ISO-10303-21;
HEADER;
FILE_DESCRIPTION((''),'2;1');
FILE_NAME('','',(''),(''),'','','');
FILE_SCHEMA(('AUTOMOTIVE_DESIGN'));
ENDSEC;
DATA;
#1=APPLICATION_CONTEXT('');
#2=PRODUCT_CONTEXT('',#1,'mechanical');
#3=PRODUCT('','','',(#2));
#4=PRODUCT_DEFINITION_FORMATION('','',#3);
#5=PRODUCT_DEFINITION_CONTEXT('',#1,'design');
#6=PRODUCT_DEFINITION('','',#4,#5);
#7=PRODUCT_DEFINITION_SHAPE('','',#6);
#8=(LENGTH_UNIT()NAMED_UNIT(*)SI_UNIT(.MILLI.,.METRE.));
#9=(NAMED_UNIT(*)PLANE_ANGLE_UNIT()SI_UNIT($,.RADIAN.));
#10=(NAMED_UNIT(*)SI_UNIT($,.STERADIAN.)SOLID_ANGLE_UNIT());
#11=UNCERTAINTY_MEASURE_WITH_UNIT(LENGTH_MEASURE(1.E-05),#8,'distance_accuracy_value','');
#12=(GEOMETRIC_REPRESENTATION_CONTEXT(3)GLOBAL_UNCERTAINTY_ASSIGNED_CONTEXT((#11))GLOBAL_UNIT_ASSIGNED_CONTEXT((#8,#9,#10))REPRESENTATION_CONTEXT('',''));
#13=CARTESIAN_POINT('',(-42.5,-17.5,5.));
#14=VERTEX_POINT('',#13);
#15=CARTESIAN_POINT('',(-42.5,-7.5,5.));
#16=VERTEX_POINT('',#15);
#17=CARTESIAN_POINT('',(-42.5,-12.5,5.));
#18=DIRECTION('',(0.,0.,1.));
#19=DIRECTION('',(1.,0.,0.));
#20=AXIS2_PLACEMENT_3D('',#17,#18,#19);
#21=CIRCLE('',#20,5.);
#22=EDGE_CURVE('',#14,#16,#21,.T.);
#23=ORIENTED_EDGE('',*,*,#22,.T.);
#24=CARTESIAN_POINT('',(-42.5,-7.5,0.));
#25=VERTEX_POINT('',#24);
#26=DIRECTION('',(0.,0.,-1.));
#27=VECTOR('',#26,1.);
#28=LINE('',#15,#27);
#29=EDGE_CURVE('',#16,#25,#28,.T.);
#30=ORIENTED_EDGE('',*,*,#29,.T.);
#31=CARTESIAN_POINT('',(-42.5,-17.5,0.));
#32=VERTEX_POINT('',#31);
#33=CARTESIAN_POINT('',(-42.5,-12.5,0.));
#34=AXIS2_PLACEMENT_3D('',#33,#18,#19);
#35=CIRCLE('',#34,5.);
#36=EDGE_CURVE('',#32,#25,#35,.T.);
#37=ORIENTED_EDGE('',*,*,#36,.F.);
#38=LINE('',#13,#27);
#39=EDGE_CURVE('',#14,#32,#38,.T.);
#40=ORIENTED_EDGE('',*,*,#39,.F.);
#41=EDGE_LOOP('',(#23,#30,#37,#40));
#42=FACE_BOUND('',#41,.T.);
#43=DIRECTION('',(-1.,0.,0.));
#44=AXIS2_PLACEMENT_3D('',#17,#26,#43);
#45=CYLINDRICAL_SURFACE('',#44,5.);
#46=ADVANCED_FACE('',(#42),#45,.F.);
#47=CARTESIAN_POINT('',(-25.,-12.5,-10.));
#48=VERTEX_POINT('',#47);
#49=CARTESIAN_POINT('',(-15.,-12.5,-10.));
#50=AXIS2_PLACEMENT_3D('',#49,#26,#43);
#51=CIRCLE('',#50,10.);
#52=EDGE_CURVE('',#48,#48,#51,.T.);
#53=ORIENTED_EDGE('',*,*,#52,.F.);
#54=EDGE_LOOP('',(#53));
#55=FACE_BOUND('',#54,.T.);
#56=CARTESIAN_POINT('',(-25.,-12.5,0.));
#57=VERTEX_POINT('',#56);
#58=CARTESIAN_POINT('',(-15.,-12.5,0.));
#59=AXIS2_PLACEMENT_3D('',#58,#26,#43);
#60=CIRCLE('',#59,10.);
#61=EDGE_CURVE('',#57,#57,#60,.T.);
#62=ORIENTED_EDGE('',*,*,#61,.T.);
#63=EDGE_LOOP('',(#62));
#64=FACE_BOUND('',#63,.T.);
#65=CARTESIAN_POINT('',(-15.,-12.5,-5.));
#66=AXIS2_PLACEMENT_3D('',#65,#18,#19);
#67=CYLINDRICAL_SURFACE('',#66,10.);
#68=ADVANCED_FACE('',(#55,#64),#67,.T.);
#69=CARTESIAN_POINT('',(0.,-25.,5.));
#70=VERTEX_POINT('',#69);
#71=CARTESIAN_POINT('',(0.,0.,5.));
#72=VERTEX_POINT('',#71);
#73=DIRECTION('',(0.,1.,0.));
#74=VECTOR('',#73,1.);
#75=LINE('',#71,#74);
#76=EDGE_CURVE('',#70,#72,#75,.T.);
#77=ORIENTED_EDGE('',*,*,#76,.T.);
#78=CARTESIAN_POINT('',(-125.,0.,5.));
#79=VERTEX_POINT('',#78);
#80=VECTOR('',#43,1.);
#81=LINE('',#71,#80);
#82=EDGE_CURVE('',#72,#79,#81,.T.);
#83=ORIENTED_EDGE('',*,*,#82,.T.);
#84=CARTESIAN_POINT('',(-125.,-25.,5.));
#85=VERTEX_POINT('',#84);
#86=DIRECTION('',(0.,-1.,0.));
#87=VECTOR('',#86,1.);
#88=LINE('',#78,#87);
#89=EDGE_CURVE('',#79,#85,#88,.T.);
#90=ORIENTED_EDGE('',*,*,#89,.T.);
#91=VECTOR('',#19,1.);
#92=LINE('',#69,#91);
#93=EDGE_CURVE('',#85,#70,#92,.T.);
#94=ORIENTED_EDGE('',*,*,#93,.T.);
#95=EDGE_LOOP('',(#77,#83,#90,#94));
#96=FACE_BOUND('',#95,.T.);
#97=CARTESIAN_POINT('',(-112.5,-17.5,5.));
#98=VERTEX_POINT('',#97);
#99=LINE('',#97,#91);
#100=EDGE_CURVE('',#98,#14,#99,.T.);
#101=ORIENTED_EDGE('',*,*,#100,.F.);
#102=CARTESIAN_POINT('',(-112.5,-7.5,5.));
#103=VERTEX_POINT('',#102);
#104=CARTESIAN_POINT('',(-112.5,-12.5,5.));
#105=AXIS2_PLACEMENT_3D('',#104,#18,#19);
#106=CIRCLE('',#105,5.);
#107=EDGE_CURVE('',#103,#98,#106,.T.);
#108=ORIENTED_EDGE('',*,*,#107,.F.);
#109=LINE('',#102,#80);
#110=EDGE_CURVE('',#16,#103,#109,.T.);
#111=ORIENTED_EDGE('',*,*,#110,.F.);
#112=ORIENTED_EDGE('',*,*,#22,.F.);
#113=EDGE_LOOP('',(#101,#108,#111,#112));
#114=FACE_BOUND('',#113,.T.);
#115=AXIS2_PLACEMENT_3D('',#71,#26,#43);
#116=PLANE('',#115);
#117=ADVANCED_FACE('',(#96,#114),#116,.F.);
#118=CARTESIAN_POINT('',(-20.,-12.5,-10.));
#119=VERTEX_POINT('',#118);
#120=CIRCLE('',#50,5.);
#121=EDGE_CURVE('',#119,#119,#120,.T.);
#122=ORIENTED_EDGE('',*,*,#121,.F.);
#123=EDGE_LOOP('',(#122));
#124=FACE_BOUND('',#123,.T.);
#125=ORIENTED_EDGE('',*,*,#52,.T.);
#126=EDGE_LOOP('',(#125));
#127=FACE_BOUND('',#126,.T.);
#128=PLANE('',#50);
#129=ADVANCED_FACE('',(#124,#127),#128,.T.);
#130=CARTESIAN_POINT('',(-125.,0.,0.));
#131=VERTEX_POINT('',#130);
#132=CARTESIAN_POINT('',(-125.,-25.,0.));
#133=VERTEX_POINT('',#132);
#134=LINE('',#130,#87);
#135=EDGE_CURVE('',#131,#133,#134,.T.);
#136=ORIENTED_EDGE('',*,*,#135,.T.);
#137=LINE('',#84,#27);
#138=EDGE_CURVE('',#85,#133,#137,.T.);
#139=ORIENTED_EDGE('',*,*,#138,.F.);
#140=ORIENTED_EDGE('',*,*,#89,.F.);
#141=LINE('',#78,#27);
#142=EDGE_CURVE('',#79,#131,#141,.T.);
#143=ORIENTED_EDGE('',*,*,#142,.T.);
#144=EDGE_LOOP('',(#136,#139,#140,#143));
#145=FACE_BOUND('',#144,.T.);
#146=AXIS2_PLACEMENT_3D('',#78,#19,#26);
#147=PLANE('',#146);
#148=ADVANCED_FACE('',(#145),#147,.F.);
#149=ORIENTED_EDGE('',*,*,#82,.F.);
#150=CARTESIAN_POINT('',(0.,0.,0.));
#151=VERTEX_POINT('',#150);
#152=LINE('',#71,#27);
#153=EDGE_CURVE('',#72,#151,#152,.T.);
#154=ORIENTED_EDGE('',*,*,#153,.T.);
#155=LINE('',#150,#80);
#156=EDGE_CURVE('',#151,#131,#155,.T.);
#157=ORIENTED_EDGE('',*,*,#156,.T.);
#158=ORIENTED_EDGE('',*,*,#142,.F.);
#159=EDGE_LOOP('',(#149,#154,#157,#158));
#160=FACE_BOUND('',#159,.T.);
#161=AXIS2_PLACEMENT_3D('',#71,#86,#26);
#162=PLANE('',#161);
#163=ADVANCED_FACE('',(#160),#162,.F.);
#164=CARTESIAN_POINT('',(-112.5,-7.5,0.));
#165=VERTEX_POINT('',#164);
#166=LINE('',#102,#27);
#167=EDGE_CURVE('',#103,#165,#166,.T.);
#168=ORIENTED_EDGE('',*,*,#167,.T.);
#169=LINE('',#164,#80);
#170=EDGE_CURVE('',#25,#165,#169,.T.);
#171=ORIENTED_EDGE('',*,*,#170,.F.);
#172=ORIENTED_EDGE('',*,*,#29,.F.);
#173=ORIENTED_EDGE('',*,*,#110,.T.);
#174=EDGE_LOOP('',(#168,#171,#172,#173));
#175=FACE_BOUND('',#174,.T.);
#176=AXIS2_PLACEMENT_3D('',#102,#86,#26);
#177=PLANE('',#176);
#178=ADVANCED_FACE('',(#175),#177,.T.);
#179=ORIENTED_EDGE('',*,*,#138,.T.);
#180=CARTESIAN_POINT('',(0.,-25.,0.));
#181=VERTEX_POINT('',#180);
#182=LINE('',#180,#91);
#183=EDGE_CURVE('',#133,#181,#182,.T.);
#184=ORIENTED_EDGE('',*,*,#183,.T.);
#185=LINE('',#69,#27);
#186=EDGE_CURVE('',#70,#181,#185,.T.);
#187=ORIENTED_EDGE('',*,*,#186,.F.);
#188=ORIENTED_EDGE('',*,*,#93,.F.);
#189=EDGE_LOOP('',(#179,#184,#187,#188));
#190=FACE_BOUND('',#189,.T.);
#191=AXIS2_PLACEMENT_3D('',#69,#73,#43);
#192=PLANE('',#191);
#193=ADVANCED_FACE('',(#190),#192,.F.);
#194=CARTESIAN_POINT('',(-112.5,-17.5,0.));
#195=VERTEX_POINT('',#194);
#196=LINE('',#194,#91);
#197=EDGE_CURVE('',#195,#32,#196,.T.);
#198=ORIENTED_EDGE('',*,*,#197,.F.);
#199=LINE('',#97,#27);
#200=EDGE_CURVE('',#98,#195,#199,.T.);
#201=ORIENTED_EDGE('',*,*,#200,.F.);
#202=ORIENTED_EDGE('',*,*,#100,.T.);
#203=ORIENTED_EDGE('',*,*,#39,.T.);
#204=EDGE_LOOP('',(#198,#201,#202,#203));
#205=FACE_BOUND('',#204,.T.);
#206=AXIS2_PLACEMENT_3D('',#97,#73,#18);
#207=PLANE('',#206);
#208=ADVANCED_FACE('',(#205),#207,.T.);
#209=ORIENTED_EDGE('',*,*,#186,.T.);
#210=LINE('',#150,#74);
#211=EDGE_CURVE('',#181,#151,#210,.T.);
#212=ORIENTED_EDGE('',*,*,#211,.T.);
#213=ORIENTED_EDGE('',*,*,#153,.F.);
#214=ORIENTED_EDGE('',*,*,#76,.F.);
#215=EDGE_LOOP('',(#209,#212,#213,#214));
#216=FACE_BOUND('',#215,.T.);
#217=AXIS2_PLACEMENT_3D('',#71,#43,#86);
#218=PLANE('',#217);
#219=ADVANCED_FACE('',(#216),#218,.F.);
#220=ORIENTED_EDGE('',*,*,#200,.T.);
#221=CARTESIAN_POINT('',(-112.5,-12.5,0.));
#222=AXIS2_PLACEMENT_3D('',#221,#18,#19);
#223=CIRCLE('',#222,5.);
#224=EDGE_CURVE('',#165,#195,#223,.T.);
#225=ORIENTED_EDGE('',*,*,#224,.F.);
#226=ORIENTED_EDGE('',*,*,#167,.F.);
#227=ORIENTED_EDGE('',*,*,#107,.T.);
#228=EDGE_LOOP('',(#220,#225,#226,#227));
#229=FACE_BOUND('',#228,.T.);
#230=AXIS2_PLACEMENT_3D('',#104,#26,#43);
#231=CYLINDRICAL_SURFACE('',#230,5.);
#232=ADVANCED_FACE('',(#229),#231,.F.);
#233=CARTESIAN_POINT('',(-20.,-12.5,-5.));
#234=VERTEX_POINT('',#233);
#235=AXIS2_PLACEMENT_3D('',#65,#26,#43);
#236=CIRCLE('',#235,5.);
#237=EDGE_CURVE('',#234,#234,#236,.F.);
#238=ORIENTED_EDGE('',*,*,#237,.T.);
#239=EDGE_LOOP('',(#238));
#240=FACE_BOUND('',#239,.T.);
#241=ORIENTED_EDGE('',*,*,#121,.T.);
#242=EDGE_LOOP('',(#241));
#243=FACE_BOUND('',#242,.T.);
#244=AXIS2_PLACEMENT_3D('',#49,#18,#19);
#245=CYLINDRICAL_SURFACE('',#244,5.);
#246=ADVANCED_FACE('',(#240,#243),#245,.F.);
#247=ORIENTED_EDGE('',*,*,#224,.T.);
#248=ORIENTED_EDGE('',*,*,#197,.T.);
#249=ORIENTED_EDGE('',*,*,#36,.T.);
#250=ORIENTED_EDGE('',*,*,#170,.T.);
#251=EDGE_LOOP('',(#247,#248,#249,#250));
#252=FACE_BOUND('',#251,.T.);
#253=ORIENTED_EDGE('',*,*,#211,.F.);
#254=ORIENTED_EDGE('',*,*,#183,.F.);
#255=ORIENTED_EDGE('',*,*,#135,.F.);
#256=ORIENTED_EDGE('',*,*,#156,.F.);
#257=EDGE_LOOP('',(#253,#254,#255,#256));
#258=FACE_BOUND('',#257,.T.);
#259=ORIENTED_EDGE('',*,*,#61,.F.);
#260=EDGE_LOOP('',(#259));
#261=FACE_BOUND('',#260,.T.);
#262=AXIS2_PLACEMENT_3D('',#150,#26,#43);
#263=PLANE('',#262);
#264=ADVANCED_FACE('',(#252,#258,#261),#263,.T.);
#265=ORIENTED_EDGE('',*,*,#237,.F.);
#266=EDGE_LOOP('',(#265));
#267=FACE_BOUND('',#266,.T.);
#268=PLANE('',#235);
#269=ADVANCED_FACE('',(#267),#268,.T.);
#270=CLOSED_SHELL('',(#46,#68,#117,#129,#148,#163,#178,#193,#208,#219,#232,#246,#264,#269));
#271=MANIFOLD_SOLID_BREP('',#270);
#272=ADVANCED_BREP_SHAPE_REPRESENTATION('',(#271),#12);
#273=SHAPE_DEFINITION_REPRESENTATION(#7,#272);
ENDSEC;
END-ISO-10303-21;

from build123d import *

# Parameters (mm, degrees)
SKETCH1_W           = 125
SKETCH1_H           = 25
BOSS_EXTRUDE1_DEPTH = 5
SKETCH2_R           = 10
BOSS_EXTRUDE2_DEPTH = 5
SKETCH3_R           = 10
SKETCH3_R_2         = 5
BOSS_EXTRUDE3_DEPTH = 5


with BuildPart() as part:
    # Sketch1 → Boss-Extrude1 (new body)
    with BuildSketch(Plane.XY):
        with Locations((-62.5, -12.5)):
            Rectangle(SKETCH1_W, SKETCH1_H)
        with BuildLine():
            Line((-112.5, -7.5), (-42.5, -7.5))
            ThreePointArc((-42.5, -7.5), (-37.5, -12.5), (-42.5, -17.5))
            Line((-42.5, -17.5), (-112.5, -17.5))
            ThreePointArc((-112.5, -17.5), (-117.5, -12.5), (-112.5, -7.5))
        make_face(mode=Mode.SUBTRACT)
    extrude(amount=BOSS_EXTRUDE1_DEPTH)

    # Sketch2 → Boss-Extrude2 (add)
    with BuildSketch(Plane(origin=(0, 0, 0), x_dir=(-1, 0, 0), z_dir=(0, 0, -1))):
        with Locations((15, -12.5)):
            Circle(SKETCH2_R)
    extrude(amount=BOSS_EXTRUDE2_DEPTH)

    # Sketch3 → Boss-Extrude3 (add)
    with BuildSketch(Plane(origin=(0, 0, -5), x_dir=(-1, 0, 0), z_dir=(0, 0, -1))):
        with Locations((15, -12.5)):
            Circle(SKETCH3_R)
        with Locations((15, -12.5)):
            Circle(SKETCH3_R_2, mode=Mode.SUBTRACT)
    extrude(amount=BOSS_EXTRUDE3_DEPTH)


solid = part.part
